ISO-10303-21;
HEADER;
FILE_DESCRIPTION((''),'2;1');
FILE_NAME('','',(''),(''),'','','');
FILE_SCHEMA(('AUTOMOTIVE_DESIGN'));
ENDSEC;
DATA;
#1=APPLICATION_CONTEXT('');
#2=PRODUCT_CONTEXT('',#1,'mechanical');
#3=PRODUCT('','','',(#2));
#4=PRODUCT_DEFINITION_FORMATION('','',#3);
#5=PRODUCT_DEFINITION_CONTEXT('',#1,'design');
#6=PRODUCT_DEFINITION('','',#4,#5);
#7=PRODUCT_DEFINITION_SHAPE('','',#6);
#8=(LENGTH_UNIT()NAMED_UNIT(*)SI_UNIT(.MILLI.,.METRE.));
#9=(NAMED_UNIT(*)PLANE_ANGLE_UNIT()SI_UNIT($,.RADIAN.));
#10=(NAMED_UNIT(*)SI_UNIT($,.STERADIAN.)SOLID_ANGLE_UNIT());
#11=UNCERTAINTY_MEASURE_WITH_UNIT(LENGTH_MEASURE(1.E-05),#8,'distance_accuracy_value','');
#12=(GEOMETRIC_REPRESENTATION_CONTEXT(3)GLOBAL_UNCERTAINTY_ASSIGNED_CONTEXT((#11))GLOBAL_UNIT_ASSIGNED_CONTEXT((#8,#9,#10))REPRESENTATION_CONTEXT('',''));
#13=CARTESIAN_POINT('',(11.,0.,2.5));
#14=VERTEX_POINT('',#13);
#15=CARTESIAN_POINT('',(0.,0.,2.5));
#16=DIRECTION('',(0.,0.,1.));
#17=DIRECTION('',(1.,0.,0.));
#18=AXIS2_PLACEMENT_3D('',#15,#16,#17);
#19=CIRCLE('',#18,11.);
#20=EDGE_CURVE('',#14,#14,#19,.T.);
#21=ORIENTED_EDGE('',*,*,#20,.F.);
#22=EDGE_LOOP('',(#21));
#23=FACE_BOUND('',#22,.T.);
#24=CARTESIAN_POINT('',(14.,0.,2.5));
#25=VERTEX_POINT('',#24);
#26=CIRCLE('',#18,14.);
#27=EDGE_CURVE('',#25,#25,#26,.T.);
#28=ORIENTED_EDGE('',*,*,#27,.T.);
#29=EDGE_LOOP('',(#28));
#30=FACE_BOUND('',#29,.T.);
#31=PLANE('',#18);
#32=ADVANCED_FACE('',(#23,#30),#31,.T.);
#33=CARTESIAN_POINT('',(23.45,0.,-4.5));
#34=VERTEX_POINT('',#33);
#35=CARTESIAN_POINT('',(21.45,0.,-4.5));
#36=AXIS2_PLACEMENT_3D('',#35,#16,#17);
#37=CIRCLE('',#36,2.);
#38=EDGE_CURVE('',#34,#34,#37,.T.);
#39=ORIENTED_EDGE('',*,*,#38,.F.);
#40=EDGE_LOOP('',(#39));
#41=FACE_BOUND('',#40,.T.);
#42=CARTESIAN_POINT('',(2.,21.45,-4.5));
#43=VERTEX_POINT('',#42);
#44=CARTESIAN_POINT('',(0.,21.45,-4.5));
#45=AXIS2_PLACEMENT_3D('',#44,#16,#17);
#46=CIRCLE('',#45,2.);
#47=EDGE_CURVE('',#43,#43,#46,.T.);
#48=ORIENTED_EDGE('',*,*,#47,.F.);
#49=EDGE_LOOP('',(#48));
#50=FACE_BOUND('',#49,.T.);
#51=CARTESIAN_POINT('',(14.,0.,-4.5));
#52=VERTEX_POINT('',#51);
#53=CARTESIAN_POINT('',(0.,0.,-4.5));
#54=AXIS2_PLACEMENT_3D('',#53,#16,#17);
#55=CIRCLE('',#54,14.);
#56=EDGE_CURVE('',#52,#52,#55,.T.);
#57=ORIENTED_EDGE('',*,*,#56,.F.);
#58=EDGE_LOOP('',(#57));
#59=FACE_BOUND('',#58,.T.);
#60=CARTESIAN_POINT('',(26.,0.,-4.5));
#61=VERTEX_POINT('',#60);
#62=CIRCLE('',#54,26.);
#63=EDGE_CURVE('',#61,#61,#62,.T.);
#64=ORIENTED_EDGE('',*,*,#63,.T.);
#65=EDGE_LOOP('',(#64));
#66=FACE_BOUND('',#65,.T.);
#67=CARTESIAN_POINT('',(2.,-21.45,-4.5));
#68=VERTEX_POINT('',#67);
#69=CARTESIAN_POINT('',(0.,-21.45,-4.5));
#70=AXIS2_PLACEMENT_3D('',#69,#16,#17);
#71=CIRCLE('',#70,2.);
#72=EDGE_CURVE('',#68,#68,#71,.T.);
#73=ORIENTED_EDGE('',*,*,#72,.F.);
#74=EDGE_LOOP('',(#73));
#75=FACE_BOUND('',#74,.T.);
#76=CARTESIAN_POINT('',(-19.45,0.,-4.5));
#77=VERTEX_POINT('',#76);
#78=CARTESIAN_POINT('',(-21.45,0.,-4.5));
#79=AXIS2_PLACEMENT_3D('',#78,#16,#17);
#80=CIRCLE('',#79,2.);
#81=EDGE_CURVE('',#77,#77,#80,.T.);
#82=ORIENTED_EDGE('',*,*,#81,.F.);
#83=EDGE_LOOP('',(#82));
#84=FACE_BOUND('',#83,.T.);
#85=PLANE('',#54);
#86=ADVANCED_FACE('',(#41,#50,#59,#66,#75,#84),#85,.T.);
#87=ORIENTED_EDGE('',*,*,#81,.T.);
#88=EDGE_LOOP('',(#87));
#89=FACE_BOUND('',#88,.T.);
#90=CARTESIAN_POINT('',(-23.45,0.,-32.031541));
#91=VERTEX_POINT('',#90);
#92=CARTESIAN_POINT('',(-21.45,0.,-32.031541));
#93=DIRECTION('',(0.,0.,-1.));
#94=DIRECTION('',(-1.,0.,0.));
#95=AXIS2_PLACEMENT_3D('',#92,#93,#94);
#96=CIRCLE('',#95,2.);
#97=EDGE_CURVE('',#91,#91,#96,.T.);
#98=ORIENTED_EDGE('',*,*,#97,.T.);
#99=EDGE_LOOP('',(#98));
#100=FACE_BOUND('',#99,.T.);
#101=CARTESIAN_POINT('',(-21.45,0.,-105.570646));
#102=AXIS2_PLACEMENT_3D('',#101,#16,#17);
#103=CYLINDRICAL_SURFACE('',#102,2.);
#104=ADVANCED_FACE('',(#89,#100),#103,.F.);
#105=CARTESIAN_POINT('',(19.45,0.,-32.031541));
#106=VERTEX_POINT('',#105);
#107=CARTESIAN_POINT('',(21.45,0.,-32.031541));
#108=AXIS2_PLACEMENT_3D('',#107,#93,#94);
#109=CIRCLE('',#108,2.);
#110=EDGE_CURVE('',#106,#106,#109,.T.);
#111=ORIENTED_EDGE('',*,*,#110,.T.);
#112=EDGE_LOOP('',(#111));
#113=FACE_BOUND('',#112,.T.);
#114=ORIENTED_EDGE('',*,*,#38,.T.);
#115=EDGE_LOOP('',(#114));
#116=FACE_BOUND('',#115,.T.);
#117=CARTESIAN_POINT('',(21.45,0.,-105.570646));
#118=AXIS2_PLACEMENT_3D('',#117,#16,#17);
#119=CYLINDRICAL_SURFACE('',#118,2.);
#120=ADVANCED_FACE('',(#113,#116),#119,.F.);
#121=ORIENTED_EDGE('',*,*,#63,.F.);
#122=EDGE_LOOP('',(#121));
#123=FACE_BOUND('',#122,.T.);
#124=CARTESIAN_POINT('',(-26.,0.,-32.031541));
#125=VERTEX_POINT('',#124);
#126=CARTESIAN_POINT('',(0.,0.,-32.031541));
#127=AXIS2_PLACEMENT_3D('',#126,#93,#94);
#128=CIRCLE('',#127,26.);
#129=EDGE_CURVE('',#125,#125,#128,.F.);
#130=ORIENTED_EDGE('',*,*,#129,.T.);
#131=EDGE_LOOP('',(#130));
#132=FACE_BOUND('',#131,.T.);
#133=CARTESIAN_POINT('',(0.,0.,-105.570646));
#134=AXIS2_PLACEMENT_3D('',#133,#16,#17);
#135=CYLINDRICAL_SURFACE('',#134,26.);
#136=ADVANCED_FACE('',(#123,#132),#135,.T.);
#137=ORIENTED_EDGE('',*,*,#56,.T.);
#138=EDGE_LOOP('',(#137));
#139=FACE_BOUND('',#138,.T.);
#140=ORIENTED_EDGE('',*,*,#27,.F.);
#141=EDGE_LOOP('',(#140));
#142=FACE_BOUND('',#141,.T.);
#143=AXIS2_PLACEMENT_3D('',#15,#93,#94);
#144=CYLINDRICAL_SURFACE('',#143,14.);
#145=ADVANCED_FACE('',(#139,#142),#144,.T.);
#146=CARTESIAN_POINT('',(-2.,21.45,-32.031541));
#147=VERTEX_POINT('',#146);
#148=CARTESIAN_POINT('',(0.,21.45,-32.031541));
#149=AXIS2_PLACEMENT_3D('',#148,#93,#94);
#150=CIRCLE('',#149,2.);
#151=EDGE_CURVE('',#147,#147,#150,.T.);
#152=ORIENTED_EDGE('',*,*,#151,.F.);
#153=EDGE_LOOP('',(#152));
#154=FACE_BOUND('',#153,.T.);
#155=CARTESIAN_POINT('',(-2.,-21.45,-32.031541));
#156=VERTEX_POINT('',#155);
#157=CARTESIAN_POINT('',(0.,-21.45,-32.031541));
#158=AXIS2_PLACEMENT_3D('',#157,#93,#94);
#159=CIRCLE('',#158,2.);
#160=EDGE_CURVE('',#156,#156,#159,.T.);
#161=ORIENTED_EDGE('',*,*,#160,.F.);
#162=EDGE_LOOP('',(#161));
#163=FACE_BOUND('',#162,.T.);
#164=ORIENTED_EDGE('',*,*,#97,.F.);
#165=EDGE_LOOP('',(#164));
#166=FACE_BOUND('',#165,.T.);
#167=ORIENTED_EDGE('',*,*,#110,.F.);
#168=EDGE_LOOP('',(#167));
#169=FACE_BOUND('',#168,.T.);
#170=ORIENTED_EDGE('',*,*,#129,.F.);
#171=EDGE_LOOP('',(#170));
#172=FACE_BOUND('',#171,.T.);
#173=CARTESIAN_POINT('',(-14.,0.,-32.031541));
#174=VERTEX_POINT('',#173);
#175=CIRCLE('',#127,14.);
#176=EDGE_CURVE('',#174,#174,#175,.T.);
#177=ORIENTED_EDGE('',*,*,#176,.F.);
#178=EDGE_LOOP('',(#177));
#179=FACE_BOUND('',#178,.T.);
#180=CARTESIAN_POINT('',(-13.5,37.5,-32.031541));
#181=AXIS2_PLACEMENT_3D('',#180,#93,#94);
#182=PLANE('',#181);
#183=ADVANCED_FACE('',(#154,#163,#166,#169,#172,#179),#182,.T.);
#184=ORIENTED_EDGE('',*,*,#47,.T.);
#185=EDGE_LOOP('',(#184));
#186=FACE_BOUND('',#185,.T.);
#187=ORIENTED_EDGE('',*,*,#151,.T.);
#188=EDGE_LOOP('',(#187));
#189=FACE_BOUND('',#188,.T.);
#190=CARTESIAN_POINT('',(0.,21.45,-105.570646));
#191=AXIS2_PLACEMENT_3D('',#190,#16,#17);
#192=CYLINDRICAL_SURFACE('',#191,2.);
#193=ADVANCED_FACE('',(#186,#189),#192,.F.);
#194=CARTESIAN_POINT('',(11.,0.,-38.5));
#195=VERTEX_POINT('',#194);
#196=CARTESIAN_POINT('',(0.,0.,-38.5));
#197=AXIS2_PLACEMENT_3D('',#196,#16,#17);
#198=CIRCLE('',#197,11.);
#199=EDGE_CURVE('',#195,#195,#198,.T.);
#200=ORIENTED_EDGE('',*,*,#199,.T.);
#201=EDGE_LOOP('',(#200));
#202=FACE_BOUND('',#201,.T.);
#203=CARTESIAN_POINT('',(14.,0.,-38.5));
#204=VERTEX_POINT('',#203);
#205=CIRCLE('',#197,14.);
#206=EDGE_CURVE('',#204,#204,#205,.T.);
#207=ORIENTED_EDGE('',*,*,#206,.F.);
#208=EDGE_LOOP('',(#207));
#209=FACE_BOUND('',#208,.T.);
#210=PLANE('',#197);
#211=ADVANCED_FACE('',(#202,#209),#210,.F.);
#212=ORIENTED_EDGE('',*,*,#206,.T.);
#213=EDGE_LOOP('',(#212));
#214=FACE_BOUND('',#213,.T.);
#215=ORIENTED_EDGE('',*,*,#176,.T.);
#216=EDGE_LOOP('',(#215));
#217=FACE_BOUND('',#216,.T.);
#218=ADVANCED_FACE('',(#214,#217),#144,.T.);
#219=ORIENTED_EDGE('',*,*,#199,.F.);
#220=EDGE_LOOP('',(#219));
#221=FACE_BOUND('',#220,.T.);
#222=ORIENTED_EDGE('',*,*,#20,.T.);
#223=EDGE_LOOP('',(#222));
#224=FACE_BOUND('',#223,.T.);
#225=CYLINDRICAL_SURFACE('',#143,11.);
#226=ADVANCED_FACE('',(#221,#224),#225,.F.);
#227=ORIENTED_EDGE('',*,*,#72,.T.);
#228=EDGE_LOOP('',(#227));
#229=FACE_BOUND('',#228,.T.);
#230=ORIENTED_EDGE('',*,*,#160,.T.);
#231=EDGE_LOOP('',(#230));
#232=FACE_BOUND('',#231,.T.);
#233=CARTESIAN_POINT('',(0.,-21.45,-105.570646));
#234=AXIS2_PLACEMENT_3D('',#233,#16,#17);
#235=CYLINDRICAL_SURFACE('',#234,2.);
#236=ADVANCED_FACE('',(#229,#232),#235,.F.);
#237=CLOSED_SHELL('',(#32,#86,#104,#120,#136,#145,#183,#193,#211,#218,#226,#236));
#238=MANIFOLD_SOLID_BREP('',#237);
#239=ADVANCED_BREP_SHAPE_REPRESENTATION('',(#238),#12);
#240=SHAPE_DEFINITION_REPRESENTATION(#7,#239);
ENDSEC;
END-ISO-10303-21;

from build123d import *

# Parameters (mm, degrees)
BOSS_EXTRUDE1_START      = -4.5
SKETCH1_R                = 26
SKETCH1_R_2              = 2
SKETCH1_R_3              = 14
BOSS_EXTRUDE1_DEPTH      = 27.531540746
BOSS_EXTRUDE2_DEPTH      = 7
BOSS_EXTRUDE2_DEPTH_BACK = 34
SKETCH3_R                = 14
SKETCH3_R_2              = 11


with BuildPart() as part:
    # Sketch1 → Boss-Extrude1 (new body)
    with BuildSketch(Plane.XY.offset(BOSS_EXTRUDE1_START)):
        Circle(SKETCH1_R)
        with Locations((21.45, 0)):
            Circle(SKETCH1_R_2, mode=Mode.SUBTRACT)
        with Locations((0, -21.45)):
            Circle(SKETCH1_R_2, mode=Mode.SUBTRACT)
        Circle(SKETCH1_R_3, mode=Mode.SUBTRACT)
        with Locations((-21.45, 0)):
            Circle(SKETCH1_R_2, mode=Mode.SUBTRACT)
        with Locations((0, 21.45)):
            Circle(SKETCH1_R_2, mode=Mode.SUBTRACT)
    extrude(amount=-BOSS_EXTRUDE1_DEPTH)

    # Sketch3 → Boss-Extrude2 (add, two sides: drawn at the far end of the back side and taken through both)
    with BuildSketch(Plane.XY.offset(-4.5).offset(-BOSS_EXTRUDE2_DEPTH_BACK)):
        Circle(SKETCH3_R)
        Circle(SKETCH3_R_2, mode=Mode.SUBTRACT)
    extrude(amount=BOSS_EXTRUDE2_DEPTH + BOSS_EXTRUDE2_DEPTH_BACK)


solid = part.part
